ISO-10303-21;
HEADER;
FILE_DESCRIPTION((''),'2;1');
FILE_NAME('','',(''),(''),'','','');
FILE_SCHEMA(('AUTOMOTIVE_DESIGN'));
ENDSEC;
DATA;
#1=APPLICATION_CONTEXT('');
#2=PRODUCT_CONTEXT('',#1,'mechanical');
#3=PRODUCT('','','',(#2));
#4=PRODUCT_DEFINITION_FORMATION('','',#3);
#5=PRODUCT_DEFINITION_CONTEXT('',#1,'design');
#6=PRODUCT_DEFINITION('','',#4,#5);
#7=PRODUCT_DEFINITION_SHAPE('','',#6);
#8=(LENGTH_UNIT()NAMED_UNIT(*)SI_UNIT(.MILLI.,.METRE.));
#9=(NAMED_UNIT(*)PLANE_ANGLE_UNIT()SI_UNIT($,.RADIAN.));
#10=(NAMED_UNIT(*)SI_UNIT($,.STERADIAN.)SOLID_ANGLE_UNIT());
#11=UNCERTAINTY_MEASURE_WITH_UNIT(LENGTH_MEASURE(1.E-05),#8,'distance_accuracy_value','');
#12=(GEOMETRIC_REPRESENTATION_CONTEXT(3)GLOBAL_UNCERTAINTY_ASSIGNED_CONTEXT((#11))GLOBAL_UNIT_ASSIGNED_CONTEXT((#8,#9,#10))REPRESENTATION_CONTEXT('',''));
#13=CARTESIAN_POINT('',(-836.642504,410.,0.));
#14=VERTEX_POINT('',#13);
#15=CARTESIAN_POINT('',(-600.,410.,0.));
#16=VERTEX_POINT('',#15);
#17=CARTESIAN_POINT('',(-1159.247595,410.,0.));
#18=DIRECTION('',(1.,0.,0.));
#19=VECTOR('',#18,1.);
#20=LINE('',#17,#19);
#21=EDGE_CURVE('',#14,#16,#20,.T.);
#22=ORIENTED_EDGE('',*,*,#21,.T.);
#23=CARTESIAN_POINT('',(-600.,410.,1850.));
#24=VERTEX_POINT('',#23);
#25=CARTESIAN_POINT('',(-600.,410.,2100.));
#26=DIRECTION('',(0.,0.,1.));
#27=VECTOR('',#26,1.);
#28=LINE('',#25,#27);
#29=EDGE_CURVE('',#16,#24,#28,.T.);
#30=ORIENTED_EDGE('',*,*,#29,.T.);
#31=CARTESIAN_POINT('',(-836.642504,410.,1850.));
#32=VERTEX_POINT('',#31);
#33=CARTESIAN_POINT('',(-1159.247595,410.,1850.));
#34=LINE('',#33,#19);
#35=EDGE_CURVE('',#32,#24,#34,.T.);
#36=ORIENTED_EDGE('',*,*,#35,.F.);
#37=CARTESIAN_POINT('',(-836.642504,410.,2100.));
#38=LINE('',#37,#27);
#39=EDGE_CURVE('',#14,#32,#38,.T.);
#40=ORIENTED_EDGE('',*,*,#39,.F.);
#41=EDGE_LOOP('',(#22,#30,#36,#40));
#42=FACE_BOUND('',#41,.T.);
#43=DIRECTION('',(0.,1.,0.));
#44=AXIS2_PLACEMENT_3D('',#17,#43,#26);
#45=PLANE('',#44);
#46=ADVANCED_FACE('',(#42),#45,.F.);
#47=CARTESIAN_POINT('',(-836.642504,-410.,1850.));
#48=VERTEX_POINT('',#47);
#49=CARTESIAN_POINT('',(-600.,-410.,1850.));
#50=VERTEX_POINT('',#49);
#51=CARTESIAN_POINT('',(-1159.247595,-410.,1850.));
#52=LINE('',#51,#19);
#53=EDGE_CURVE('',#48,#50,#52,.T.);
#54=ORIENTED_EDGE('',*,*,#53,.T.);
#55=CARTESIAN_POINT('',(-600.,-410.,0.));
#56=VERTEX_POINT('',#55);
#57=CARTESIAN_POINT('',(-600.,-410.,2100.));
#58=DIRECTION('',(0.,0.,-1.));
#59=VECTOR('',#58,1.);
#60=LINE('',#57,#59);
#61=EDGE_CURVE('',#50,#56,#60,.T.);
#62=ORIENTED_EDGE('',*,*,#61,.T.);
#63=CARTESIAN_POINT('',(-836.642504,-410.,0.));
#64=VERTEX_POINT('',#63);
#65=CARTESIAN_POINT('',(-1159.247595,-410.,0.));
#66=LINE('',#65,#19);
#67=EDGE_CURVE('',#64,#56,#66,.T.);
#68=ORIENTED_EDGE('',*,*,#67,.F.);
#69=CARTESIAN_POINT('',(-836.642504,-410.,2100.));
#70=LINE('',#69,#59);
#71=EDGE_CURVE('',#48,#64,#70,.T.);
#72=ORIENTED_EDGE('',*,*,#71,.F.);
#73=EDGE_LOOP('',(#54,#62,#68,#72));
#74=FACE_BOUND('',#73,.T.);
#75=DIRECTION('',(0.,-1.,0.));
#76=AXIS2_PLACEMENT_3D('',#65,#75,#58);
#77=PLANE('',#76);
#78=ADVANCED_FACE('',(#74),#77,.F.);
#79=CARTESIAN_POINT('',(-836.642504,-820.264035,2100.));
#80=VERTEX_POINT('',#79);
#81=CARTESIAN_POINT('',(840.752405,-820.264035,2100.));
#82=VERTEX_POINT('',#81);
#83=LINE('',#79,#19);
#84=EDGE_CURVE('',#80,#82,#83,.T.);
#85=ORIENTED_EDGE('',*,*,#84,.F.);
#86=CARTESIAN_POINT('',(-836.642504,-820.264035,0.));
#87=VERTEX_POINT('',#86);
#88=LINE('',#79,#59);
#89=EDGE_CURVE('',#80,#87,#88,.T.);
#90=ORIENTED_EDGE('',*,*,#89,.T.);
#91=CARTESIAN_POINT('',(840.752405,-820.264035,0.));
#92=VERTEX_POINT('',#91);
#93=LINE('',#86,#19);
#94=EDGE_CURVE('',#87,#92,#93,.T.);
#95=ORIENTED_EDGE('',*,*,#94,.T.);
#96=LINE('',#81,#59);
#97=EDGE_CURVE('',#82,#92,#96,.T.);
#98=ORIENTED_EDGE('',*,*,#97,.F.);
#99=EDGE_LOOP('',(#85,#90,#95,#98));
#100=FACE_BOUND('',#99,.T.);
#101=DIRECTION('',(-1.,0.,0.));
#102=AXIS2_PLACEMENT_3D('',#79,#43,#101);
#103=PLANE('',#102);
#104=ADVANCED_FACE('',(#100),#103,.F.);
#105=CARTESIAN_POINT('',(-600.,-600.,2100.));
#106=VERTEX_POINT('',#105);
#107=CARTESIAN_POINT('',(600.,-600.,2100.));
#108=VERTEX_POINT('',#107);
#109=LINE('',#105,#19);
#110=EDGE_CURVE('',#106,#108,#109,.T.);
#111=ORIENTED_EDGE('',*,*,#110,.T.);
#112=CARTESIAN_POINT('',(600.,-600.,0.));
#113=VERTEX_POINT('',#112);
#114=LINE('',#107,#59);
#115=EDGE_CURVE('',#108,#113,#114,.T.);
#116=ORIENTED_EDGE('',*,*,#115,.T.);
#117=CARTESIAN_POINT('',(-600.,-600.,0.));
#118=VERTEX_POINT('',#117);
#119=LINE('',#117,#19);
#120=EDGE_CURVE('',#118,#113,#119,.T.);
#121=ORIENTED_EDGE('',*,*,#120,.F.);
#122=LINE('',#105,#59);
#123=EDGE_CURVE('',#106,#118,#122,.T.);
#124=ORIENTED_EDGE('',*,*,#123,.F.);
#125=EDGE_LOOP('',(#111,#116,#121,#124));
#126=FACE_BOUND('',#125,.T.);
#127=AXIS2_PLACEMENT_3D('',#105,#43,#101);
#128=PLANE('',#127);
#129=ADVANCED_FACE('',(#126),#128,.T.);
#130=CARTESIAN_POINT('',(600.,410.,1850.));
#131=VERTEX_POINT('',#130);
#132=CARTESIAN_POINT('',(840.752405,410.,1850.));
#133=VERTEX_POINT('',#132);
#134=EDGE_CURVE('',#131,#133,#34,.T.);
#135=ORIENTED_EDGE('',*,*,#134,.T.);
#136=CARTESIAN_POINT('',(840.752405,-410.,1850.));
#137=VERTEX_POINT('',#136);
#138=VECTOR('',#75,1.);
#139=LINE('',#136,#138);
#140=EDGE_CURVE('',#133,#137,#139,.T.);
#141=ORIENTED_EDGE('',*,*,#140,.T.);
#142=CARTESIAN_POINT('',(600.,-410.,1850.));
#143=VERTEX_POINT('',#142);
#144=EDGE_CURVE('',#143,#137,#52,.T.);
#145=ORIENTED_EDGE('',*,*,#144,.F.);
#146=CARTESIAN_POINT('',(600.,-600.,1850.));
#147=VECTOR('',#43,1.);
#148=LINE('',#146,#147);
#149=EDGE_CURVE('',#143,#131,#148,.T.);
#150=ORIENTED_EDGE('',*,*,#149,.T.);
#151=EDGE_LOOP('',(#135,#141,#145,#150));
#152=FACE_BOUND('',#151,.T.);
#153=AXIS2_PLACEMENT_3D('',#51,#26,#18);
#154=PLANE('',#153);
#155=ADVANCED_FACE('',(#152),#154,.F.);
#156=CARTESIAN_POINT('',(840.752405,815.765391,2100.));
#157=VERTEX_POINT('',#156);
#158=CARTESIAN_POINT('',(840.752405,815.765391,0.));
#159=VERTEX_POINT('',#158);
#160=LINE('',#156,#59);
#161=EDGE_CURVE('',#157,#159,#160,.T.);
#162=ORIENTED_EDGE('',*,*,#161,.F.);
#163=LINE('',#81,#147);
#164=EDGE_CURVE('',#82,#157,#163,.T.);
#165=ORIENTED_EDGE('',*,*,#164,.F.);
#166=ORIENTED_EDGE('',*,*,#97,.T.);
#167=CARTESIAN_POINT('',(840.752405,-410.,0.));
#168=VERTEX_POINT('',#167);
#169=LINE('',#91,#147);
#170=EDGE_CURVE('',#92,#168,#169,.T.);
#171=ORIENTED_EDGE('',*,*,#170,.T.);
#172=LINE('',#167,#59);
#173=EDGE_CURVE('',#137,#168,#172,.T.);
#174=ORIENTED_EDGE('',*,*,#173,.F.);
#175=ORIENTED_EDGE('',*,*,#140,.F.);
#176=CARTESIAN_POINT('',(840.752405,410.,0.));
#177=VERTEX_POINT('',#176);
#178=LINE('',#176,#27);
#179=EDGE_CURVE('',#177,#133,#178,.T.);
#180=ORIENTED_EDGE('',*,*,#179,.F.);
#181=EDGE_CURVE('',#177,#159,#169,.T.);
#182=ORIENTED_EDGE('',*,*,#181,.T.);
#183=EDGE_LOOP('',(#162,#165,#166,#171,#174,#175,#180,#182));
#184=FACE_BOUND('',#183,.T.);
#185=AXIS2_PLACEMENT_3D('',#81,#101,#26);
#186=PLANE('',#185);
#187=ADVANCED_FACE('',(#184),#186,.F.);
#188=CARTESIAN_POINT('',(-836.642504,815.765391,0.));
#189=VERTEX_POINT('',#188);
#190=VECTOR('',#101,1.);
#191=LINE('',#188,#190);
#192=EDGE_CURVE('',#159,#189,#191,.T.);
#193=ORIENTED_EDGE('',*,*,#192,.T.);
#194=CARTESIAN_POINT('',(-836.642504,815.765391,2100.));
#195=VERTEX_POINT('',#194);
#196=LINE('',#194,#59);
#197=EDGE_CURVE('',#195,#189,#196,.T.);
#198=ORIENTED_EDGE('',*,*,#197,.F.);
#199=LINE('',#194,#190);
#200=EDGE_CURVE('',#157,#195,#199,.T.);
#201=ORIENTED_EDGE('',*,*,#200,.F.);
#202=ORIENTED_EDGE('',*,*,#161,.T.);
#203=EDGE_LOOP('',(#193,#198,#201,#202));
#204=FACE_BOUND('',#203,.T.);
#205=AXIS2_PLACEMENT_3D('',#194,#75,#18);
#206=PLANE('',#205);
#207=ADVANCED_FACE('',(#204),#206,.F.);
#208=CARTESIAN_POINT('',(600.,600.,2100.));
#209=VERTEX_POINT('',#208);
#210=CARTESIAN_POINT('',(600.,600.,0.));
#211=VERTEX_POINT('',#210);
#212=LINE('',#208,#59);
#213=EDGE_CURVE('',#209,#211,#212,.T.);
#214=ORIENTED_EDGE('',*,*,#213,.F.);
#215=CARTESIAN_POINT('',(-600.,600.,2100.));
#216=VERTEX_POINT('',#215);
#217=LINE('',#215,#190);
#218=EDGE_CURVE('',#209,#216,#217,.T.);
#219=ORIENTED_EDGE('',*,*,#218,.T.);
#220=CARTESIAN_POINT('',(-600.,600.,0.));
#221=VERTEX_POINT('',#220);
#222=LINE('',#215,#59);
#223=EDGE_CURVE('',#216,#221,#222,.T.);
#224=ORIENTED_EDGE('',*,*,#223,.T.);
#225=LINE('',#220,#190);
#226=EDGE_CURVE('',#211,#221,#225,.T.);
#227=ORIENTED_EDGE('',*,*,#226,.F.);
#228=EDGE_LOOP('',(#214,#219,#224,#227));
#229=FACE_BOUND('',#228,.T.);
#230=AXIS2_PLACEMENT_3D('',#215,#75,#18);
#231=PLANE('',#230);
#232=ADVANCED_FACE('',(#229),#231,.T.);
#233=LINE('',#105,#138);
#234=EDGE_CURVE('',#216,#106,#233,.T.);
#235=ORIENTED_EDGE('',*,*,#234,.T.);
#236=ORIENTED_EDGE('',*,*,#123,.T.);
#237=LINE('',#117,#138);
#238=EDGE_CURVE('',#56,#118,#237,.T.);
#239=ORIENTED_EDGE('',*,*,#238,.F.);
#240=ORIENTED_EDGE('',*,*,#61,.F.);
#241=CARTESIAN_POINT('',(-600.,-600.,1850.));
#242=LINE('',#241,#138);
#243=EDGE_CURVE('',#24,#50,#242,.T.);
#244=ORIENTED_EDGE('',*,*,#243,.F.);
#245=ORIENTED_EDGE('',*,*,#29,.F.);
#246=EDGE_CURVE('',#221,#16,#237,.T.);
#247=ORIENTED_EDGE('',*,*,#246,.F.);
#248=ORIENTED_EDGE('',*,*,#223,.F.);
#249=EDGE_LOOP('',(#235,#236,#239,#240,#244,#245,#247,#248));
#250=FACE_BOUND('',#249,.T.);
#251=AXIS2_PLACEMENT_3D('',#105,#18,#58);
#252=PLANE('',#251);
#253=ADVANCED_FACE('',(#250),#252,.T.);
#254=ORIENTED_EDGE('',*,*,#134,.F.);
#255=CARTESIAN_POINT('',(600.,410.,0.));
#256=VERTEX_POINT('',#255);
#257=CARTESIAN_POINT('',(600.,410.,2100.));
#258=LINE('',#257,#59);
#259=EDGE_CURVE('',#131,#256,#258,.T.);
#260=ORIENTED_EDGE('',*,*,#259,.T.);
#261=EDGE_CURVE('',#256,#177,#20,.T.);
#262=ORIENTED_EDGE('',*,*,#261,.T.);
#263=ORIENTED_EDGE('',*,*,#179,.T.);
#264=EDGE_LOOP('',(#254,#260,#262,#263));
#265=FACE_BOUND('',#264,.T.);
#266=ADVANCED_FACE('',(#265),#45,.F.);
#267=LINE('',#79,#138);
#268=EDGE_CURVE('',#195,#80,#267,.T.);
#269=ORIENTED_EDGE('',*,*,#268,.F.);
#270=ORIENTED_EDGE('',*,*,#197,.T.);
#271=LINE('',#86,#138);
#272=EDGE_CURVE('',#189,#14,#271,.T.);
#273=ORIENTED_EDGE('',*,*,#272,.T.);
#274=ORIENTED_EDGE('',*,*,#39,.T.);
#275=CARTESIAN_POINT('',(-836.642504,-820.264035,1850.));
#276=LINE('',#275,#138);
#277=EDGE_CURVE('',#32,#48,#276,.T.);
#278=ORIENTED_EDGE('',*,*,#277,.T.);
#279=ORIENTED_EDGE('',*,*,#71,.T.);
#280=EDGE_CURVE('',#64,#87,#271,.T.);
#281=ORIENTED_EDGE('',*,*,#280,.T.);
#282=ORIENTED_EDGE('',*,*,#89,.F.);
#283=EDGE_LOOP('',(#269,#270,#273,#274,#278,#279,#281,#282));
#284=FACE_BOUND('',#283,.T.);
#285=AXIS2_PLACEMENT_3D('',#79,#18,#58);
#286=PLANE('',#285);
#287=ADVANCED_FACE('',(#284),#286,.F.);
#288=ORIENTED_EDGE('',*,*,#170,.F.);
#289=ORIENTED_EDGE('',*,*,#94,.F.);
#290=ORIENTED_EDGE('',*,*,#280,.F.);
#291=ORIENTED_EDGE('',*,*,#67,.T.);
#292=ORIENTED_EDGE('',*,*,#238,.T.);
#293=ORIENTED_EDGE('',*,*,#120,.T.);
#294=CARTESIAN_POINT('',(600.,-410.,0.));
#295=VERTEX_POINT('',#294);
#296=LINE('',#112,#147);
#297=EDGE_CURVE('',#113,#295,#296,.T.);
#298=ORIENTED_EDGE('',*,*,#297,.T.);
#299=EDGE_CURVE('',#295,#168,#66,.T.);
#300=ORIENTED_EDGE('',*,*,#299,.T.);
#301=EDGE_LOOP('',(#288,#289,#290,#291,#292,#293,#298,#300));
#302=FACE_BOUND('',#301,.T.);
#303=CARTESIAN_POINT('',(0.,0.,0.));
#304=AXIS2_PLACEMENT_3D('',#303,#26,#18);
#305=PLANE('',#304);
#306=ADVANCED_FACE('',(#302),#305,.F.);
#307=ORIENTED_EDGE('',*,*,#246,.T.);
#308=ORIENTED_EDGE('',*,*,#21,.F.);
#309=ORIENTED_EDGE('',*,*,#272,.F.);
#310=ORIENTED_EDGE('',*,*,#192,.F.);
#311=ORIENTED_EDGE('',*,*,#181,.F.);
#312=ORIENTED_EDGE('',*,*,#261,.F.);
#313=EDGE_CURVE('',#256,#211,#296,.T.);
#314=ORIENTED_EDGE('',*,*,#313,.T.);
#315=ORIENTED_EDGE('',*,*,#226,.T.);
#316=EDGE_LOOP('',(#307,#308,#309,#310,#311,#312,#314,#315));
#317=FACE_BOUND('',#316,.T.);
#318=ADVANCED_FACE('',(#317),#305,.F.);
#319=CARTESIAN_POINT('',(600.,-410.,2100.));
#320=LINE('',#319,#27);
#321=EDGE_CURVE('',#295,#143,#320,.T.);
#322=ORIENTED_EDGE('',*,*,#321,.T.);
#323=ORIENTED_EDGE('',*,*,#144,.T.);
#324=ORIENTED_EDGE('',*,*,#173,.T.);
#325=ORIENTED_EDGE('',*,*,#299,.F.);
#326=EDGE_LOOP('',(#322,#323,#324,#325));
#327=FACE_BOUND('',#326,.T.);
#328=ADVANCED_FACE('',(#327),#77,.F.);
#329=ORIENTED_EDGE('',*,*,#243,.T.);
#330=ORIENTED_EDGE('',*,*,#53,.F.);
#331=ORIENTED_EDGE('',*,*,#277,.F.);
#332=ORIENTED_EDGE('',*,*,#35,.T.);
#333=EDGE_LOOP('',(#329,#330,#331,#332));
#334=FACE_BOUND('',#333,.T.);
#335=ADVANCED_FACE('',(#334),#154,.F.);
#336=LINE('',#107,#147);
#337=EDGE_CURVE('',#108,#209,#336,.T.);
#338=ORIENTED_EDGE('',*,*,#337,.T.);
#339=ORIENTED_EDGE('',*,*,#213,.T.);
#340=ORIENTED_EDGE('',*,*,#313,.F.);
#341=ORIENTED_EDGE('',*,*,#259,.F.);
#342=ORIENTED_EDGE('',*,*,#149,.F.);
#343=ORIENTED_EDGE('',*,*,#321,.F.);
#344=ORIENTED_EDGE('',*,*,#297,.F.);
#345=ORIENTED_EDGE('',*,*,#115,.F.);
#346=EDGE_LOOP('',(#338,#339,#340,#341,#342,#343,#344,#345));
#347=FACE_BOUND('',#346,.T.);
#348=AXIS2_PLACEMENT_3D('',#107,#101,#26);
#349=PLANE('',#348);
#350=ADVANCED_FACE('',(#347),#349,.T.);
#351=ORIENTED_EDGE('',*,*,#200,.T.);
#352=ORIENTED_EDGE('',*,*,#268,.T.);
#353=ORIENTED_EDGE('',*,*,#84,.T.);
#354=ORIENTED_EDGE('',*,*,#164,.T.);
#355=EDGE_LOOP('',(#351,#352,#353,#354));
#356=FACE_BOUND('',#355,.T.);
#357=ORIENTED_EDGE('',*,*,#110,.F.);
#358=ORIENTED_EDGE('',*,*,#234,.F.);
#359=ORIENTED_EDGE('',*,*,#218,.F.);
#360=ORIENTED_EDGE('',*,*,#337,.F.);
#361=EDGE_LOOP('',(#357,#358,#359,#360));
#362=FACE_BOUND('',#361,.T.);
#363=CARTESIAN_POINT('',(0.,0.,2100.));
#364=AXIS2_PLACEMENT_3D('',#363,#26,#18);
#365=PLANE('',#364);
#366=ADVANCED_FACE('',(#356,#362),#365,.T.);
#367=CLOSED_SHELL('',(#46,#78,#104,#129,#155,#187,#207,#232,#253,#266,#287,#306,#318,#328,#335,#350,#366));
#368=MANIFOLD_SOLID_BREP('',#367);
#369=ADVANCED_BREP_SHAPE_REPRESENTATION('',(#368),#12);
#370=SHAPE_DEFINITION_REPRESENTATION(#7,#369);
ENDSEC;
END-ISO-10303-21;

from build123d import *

# Parameters (mm, degrees)
SKETCH1_W           = 1636.029426001
SKETCH1_H           = 1677.394908568
SKETCH1_W_2         = 1200
SKETCH1_H_2         = 1200
BOSS_EXTRUDE1_DEPTH = 2100
SKETCH3_W           = 1850
SKETCH3_H           = 820
CUT_EXTRUDE1_DEPTH  = 2000


with BuildPart() as part:
    # Sketch1 → Boss-Extrude1 (new body)
    with BuildSketch(Plane(origin=(0, 0, 0), x_dir=(0, 1, 0), z_dir=(0, 0, 1))):
        with Locations((-2.249322435, -2.054950343)):
            Rectangle(SKETCH1_W, SKETCH1_H)
        Rectangle(SKETCH1_W_2, SKETCH1_H_2, mode=Mode.SUBTRACT)
    extrude(amount=BOSS_EXTRUDE1_DEPTH)

    # Sketch3 → Cut-Extrude1 (cut)
    with BuildSketch(Plane(origin=(840.752404627, 0, 0), x_dir=(0, 0, -1), z_dir=(1, 0, 0))):
        with Locations((-925, 0)):
            Rectangle(SKETCH3_W, SKETCH3_H)
    extrude(amount=-CUT_EXTRUDE1_DEPTH, mode=Mode.SUBTRACT)


solid = part.part
